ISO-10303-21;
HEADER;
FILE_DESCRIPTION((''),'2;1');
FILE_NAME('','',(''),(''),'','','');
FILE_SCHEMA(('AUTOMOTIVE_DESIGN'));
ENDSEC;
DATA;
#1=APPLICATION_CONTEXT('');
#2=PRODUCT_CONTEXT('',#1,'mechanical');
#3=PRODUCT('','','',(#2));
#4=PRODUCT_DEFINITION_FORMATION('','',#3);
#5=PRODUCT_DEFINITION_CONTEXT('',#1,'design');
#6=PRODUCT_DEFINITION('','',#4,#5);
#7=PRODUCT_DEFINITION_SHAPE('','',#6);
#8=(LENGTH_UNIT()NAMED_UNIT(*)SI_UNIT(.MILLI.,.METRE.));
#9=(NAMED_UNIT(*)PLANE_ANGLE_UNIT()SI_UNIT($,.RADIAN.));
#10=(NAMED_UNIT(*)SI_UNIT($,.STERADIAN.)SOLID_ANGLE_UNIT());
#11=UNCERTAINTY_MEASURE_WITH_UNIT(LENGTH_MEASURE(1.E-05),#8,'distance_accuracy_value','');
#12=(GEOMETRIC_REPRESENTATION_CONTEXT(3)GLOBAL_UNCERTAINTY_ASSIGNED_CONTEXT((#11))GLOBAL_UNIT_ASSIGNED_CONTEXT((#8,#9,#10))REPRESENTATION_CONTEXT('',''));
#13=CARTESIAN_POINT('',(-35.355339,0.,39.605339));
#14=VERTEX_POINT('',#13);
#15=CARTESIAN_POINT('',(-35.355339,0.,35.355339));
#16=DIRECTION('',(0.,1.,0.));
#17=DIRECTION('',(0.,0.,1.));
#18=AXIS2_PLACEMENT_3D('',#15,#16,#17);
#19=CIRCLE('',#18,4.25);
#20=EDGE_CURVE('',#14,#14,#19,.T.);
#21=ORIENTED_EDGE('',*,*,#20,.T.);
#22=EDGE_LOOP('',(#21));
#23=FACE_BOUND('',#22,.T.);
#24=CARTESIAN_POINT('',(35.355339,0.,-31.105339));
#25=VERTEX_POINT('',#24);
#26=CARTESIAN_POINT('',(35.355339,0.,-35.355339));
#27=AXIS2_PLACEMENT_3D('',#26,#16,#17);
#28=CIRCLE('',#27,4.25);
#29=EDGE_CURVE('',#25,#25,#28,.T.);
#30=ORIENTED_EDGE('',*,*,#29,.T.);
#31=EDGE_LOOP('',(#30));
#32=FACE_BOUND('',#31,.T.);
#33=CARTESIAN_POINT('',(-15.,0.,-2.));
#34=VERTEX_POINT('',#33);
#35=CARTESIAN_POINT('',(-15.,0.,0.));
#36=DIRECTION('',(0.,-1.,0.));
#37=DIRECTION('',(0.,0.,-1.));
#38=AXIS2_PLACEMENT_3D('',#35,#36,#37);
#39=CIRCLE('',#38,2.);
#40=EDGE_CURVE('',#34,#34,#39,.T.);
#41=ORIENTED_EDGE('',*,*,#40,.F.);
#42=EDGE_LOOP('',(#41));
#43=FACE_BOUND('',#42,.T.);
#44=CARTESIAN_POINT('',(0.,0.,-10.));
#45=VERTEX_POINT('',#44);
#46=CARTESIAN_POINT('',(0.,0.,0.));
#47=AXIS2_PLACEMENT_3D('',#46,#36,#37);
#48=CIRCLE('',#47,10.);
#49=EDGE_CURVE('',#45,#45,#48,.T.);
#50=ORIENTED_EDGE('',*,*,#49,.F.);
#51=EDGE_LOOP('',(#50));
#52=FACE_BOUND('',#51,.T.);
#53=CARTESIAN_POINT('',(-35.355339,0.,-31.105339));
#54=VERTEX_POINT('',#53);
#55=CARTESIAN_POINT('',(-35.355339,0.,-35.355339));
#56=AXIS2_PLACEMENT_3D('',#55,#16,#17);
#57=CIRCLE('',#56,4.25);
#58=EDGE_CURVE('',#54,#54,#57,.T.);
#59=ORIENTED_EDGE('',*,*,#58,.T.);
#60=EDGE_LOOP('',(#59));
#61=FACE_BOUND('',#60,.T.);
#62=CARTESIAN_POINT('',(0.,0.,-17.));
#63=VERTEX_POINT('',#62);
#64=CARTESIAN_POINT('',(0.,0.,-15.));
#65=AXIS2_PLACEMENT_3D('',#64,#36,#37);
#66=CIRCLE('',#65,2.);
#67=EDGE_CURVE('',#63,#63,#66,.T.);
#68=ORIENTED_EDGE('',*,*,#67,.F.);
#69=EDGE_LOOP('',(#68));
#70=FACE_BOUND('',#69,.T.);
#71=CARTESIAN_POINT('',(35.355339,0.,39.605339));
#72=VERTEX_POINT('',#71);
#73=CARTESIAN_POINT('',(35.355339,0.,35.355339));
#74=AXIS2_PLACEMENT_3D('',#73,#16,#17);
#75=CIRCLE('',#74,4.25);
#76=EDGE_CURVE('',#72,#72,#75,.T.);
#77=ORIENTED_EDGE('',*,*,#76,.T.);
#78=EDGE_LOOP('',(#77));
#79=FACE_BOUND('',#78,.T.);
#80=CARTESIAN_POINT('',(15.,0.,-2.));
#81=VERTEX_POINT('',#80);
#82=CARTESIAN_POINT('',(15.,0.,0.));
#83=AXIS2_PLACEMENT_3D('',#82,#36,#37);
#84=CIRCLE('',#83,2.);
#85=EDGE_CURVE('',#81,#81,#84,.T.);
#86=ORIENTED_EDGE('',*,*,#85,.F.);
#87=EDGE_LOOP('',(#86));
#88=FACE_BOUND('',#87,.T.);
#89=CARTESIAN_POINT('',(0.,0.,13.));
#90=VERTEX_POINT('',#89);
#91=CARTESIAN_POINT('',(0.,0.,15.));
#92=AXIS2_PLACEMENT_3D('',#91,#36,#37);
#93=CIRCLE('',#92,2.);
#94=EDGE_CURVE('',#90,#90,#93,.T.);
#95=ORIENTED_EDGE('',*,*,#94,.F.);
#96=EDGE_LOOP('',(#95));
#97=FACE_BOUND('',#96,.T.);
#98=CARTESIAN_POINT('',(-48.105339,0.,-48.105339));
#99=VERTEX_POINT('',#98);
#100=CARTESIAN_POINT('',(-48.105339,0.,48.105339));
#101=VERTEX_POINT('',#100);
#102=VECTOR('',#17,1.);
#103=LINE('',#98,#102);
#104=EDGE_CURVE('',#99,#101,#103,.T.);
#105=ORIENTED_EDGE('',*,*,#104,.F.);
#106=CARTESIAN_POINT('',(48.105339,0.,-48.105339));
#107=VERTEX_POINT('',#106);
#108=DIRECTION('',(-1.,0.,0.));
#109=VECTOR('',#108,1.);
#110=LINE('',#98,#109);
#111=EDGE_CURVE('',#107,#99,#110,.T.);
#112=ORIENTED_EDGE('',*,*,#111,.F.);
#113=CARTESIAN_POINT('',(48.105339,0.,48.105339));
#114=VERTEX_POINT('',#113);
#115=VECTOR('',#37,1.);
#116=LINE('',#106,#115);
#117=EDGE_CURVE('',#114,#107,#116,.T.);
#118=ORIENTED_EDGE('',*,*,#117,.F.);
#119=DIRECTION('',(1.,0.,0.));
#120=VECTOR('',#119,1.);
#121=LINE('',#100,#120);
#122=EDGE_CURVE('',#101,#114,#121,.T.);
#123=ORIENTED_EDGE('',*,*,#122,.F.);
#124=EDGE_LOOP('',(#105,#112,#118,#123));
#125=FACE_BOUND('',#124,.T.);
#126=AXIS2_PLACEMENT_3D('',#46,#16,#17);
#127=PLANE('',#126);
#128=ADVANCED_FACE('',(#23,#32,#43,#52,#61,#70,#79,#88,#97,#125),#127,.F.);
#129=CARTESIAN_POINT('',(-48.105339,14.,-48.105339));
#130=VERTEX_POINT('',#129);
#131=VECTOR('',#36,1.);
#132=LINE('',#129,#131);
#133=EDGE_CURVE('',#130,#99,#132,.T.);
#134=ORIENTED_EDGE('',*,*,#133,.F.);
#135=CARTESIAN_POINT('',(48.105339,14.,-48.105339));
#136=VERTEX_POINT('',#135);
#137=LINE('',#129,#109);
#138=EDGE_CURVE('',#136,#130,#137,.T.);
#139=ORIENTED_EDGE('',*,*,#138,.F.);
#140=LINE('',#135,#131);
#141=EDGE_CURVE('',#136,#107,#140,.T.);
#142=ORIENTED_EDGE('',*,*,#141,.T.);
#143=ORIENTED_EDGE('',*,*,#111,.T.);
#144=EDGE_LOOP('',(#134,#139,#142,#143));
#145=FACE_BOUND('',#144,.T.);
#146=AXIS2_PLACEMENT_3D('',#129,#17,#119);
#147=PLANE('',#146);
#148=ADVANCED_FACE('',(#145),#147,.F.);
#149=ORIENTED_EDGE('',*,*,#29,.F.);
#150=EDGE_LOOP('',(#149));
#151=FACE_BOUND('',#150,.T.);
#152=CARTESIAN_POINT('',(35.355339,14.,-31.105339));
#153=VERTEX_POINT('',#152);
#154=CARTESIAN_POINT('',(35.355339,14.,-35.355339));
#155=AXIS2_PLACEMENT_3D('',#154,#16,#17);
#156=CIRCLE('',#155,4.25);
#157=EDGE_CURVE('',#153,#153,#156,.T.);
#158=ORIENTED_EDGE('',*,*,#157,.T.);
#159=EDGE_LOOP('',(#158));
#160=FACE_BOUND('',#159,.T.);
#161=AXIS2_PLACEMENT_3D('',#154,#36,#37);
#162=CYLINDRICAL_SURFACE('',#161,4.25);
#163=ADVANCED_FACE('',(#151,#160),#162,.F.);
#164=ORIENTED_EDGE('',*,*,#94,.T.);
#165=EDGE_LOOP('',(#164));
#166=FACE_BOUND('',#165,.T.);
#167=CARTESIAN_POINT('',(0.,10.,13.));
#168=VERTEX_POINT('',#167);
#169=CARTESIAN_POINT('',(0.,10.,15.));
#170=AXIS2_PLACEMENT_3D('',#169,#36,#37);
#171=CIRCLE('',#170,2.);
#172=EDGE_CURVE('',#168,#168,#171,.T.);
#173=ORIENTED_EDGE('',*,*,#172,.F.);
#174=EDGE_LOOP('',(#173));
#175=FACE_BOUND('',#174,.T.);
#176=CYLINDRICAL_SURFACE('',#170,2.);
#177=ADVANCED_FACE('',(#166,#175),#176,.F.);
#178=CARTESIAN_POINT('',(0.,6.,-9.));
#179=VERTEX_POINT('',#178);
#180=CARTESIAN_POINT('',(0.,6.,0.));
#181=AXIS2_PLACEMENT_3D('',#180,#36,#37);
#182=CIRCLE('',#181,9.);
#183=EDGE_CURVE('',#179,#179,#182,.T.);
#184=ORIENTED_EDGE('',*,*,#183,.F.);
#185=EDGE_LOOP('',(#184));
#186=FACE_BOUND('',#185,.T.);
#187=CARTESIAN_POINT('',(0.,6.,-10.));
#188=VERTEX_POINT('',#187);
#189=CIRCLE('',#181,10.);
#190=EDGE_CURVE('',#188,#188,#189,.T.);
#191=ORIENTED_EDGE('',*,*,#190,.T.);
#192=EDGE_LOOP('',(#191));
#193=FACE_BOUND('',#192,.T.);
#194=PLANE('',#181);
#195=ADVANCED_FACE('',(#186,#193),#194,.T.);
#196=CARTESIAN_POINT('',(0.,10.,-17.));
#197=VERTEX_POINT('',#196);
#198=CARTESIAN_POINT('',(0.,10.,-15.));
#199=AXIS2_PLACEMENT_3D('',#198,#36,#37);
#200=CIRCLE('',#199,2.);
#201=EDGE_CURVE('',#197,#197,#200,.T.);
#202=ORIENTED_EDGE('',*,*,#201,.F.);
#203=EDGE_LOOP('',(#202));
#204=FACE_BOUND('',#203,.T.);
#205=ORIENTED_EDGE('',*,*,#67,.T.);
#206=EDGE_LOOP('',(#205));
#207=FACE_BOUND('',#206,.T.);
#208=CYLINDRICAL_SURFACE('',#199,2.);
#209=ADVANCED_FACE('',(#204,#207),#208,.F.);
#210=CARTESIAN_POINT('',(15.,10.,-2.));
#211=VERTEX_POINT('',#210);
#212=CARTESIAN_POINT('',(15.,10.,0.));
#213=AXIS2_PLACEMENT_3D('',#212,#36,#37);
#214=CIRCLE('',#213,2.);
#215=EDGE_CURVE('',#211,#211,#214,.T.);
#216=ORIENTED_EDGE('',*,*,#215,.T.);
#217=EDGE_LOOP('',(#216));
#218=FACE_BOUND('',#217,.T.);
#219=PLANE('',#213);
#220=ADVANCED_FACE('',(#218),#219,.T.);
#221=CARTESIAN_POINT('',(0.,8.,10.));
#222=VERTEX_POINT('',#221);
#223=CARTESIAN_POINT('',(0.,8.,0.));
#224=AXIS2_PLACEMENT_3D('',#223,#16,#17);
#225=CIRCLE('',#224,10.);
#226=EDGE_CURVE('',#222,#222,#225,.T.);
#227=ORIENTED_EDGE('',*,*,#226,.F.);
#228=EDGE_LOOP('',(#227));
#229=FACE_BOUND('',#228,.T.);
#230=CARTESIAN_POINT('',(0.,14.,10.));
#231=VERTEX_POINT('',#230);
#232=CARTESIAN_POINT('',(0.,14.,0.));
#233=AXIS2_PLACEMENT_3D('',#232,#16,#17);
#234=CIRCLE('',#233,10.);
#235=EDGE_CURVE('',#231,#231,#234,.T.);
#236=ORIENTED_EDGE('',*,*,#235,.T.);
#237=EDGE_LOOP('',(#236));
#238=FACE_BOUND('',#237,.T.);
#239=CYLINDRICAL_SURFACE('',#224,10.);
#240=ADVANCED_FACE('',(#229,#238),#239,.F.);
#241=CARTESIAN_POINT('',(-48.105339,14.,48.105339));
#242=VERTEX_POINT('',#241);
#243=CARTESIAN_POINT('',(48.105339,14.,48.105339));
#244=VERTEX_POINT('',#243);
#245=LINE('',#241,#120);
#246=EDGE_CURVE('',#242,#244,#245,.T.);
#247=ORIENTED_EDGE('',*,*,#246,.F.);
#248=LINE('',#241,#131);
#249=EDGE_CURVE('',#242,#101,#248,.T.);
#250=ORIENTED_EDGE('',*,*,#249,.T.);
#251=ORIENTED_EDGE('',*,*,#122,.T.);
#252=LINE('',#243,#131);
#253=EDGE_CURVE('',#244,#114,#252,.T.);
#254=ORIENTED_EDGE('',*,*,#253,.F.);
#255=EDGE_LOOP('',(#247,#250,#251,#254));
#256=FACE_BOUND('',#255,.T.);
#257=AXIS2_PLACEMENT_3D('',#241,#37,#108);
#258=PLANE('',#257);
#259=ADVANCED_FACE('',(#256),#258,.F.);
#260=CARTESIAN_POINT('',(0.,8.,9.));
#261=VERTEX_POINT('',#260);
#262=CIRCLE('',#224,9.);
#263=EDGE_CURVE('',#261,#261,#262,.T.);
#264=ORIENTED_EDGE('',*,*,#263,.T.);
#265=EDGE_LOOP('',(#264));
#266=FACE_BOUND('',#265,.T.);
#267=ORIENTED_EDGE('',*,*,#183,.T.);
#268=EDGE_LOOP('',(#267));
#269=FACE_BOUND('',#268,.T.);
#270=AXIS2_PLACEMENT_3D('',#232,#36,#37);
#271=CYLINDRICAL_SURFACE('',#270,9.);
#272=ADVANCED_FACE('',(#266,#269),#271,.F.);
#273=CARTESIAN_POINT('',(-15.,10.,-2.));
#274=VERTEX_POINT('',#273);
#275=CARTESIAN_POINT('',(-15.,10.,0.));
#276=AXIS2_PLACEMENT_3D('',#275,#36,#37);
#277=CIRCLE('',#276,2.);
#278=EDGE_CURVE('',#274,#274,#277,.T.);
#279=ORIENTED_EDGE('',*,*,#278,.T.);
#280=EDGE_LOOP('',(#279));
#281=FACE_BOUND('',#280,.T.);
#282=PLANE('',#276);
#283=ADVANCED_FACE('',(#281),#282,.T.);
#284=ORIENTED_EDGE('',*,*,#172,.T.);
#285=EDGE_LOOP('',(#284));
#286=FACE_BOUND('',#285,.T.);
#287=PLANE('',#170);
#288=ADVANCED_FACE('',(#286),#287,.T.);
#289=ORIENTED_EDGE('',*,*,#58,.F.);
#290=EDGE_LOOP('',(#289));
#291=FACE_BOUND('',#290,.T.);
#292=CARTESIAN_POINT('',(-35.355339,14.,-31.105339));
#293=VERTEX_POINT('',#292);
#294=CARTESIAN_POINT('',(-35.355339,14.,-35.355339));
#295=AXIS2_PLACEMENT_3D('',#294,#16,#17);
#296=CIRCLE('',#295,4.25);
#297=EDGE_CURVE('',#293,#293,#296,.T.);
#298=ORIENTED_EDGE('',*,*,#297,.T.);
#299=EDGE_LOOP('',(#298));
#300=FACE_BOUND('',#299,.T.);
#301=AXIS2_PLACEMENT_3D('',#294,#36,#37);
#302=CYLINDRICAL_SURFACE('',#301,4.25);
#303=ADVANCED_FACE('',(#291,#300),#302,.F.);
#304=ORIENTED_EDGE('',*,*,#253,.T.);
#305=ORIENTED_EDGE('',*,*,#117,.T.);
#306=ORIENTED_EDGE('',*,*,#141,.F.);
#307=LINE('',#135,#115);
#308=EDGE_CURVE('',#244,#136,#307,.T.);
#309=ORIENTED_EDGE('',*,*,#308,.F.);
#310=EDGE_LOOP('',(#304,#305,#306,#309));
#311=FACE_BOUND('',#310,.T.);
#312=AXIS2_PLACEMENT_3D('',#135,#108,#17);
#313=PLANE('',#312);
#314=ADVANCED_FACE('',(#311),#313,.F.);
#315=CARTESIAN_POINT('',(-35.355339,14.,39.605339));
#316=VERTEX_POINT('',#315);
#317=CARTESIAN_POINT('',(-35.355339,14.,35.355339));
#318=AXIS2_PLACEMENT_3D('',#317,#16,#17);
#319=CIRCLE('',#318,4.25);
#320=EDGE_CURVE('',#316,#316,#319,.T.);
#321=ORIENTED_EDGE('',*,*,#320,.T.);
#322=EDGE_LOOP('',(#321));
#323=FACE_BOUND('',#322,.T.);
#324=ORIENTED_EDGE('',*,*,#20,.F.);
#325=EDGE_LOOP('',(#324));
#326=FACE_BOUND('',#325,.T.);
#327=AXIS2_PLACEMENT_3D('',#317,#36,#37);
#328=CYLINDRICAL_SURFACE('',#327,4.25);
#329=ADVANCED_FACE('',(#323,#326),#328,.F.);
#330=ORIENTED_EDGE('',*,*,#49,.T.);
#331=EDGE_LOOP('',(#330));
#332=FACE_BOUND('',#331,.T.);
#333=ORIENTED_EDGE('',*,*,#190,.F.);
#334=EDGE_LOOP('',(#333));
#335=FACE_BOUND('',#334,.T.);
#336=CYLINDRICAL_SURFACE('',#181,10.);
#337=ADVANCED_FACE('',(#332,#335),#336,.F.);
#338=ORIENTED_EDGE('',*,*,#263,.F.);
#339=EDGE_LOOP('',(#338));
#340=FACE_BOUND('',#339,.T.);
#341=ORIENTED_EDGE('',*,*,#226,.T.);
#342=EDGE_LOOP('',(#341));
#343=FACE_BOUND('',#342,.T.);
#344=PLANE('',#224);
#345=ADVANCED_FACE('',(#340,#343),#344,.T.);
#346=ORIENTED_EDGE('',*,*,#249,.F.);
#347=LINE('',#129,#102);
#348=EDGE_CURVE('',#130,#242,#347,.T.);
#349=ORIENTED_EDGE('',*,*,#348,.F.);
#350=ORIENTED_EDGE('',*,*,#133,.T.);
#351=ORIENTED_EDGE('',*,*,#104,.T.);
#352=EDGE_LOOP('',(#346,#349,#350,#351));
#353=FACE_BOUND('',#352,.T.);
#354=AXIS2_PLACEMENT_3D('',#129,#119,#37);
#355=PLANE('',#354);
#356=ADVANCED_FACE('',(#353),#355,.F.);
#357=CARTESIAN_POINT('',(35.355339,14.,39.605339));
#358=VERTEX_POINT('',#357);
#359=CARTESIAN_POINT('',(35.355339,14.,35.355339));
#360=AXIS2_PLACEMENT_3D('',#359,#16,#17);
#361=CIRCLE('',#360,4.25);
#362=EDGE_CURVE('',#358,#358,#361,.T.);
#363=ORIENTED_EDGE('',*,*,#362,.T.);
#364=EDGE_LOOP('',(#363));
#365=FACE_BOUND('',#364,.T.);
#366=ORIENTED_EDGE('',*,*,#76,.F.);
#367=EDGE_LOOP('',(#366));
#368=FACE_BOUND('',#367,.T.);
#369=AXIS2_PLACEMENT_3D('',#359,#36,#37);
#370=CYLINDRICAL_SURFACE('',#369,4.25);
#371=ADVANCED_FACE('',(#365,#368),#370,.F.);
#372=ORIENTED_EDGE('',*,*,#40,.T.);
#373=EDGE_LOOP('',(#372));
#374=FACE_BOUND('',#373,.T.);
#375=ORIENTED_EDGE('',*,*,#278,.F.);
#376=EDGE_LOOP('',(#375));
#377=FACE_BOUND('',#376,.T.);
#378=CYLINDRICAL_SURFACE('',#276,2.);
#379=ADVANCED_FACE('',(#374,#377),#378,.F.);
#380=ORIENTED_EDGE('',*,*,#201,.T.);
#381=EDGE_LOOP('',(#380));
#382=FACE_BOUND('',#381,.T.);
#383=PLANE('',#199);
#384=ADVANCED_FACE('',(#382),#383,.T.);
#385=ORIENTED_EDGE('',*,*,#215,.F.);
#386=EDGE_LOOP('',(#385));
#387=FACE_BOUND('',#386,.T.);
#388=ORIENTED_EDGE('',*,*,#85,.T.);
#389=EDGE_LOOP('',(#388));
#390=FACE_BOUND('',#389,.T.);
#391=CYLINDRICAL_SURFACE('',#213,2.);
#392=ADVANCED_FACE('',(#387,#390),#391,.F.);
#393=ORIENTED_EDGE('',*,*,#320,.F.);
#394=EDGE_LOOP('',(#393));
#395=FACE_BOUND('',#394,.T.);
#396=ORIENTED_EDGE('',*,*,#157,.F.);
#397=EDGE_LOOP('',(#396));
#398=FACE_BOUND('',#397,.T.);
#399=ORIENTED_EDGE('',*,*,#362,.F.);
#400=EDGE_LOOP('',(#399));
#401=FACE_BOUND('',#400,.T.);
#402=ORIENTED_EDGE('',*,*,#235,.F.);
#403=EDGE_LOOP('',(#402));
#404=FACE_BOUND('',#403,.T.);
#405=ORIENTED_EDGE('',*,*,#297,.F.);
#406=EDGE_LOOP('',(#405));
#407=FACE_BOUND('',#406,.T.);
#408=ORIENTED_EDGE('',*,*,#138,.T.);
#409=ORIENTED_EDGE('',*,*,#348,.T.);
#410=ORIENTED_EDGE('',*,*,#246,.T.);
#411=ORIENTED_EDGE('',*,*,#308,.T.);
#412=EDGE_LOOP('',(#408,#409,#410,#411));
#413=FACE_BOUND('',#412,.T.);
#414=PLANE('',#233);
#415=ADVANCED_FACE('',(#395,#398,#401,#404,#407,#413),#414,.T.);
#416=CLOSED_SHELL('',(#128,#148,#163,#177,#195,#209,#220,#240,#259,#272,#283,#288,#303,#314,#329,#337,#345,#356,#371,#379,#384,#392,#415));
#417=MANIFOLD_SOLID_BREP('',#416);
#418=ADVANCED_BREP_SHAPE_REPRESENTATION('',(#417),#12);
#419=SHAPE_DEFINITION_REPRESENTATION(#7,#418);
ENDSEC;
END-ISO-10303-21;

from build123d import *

# Parameters (mm, degrees)
SKETCH1_W                 = 96.210678118
SKETCH1_H                 = 96.210678118
SKETCH1_R                 = 4.25
SKETCH1_R_2               = 9
BODY_AND_MAIN_HOLES_DEPTH = 14
SKETCH2_R                 = 10
SEAL_HOLE_DEPTH           = 6
BEARING_START             = -6
SKETCH3_R                 = 10
BEARING_HOLE_DEPTH        = 6
SKETCH4_R                 = 2
CUT_EXTRUDE1_DEPTH        = 10


with BuildPart() as part:
    # Sketch1 → body and main holes (new body)
    with BuildSketch(Plane(origin=(0, 0, 0), x_dir=(1, 0, 0), z_dir=(0, 1, 0))):
        Rectangle(SKETCH1_W, SKETCH1_H)
        with Locations(Location((-35.355339059, 35.355339059, 0), (0, 0, 270))):
            Circle(SKETCH1_R, mode=Mode.SUBTRACT)
        with Locations(Location((35.355339059, 35.355339059, 0), (0, 0, 270))):
            Circle(SKETCH1_R, mode=Mode.SUBTRACT)
        with Locations(Location((35.355339059, -35.355339059, 0), (0, 0, 270))):
            Circle(SKETCH1_R, mode=Mode.SUBTRACT)
        with Locations(Location((-35.355339059, -35.355339059, 0), (0, 0, 270))):
            Circle(SKETCH1_R, mode=Mode.SUBTRACT)
        with Locations(Location((0, 0, 0), (0, 0, 270))):
            Circle(SKETCH1_R_2, mode=Mode.SUBTRACT)
    extrude(amount=BODY_AND_MAIN_HOLES_DEPTH)

    # Sketch2 → seal hole (cut)
    with BuildSketch(Plane(origin=(0, 14, 0), x_dir=(1, 0, 0), z_dir=(0, 1, 0))):
        with Locations(Location((0, 0, 0), (0, 0, 270))):
            Circle(SKETCH2_R)
    extrude(amount=-SEAL_HOLE_DEPTH, mode=Mode.SUBTRACT)

    # Sketch3 → bearing hole (cut)
    with BuildSketch(Plane.XZ.offset(BEARING_START)):
        with Locations(Location((0, 0, 0), (0, 0, 90))):
            Circle(SKETCH3_R)
    extrude(amount=BEARING_HOLE_DEPTH, mode=Mode.SUBTRACT)

    # Sketch4 → Cut-Extrude1 (cut)
    with BuildSketch(Plane.XZ):
        with Locations(Location((0, -15, 0), (0, 0, 270))):
            Circle(SKETCH4_R)
        with Locations(Location((-15, 0, 0), (0, 0, 270))):
            Circle(SKETCH4_R)
        with Locations(Location((0, 15, 0), (0, 0, 270))):
            Circle(SKETCH4_R)
        with Locations(Location((15, 0, 0), (0, 0, 270))):
            Circle(SKETCH4_R)
    extrude(amount=-CUT_EXTRUDE1_DEPTH, mode=Mode.SUBTRACT)


solid = part.part
